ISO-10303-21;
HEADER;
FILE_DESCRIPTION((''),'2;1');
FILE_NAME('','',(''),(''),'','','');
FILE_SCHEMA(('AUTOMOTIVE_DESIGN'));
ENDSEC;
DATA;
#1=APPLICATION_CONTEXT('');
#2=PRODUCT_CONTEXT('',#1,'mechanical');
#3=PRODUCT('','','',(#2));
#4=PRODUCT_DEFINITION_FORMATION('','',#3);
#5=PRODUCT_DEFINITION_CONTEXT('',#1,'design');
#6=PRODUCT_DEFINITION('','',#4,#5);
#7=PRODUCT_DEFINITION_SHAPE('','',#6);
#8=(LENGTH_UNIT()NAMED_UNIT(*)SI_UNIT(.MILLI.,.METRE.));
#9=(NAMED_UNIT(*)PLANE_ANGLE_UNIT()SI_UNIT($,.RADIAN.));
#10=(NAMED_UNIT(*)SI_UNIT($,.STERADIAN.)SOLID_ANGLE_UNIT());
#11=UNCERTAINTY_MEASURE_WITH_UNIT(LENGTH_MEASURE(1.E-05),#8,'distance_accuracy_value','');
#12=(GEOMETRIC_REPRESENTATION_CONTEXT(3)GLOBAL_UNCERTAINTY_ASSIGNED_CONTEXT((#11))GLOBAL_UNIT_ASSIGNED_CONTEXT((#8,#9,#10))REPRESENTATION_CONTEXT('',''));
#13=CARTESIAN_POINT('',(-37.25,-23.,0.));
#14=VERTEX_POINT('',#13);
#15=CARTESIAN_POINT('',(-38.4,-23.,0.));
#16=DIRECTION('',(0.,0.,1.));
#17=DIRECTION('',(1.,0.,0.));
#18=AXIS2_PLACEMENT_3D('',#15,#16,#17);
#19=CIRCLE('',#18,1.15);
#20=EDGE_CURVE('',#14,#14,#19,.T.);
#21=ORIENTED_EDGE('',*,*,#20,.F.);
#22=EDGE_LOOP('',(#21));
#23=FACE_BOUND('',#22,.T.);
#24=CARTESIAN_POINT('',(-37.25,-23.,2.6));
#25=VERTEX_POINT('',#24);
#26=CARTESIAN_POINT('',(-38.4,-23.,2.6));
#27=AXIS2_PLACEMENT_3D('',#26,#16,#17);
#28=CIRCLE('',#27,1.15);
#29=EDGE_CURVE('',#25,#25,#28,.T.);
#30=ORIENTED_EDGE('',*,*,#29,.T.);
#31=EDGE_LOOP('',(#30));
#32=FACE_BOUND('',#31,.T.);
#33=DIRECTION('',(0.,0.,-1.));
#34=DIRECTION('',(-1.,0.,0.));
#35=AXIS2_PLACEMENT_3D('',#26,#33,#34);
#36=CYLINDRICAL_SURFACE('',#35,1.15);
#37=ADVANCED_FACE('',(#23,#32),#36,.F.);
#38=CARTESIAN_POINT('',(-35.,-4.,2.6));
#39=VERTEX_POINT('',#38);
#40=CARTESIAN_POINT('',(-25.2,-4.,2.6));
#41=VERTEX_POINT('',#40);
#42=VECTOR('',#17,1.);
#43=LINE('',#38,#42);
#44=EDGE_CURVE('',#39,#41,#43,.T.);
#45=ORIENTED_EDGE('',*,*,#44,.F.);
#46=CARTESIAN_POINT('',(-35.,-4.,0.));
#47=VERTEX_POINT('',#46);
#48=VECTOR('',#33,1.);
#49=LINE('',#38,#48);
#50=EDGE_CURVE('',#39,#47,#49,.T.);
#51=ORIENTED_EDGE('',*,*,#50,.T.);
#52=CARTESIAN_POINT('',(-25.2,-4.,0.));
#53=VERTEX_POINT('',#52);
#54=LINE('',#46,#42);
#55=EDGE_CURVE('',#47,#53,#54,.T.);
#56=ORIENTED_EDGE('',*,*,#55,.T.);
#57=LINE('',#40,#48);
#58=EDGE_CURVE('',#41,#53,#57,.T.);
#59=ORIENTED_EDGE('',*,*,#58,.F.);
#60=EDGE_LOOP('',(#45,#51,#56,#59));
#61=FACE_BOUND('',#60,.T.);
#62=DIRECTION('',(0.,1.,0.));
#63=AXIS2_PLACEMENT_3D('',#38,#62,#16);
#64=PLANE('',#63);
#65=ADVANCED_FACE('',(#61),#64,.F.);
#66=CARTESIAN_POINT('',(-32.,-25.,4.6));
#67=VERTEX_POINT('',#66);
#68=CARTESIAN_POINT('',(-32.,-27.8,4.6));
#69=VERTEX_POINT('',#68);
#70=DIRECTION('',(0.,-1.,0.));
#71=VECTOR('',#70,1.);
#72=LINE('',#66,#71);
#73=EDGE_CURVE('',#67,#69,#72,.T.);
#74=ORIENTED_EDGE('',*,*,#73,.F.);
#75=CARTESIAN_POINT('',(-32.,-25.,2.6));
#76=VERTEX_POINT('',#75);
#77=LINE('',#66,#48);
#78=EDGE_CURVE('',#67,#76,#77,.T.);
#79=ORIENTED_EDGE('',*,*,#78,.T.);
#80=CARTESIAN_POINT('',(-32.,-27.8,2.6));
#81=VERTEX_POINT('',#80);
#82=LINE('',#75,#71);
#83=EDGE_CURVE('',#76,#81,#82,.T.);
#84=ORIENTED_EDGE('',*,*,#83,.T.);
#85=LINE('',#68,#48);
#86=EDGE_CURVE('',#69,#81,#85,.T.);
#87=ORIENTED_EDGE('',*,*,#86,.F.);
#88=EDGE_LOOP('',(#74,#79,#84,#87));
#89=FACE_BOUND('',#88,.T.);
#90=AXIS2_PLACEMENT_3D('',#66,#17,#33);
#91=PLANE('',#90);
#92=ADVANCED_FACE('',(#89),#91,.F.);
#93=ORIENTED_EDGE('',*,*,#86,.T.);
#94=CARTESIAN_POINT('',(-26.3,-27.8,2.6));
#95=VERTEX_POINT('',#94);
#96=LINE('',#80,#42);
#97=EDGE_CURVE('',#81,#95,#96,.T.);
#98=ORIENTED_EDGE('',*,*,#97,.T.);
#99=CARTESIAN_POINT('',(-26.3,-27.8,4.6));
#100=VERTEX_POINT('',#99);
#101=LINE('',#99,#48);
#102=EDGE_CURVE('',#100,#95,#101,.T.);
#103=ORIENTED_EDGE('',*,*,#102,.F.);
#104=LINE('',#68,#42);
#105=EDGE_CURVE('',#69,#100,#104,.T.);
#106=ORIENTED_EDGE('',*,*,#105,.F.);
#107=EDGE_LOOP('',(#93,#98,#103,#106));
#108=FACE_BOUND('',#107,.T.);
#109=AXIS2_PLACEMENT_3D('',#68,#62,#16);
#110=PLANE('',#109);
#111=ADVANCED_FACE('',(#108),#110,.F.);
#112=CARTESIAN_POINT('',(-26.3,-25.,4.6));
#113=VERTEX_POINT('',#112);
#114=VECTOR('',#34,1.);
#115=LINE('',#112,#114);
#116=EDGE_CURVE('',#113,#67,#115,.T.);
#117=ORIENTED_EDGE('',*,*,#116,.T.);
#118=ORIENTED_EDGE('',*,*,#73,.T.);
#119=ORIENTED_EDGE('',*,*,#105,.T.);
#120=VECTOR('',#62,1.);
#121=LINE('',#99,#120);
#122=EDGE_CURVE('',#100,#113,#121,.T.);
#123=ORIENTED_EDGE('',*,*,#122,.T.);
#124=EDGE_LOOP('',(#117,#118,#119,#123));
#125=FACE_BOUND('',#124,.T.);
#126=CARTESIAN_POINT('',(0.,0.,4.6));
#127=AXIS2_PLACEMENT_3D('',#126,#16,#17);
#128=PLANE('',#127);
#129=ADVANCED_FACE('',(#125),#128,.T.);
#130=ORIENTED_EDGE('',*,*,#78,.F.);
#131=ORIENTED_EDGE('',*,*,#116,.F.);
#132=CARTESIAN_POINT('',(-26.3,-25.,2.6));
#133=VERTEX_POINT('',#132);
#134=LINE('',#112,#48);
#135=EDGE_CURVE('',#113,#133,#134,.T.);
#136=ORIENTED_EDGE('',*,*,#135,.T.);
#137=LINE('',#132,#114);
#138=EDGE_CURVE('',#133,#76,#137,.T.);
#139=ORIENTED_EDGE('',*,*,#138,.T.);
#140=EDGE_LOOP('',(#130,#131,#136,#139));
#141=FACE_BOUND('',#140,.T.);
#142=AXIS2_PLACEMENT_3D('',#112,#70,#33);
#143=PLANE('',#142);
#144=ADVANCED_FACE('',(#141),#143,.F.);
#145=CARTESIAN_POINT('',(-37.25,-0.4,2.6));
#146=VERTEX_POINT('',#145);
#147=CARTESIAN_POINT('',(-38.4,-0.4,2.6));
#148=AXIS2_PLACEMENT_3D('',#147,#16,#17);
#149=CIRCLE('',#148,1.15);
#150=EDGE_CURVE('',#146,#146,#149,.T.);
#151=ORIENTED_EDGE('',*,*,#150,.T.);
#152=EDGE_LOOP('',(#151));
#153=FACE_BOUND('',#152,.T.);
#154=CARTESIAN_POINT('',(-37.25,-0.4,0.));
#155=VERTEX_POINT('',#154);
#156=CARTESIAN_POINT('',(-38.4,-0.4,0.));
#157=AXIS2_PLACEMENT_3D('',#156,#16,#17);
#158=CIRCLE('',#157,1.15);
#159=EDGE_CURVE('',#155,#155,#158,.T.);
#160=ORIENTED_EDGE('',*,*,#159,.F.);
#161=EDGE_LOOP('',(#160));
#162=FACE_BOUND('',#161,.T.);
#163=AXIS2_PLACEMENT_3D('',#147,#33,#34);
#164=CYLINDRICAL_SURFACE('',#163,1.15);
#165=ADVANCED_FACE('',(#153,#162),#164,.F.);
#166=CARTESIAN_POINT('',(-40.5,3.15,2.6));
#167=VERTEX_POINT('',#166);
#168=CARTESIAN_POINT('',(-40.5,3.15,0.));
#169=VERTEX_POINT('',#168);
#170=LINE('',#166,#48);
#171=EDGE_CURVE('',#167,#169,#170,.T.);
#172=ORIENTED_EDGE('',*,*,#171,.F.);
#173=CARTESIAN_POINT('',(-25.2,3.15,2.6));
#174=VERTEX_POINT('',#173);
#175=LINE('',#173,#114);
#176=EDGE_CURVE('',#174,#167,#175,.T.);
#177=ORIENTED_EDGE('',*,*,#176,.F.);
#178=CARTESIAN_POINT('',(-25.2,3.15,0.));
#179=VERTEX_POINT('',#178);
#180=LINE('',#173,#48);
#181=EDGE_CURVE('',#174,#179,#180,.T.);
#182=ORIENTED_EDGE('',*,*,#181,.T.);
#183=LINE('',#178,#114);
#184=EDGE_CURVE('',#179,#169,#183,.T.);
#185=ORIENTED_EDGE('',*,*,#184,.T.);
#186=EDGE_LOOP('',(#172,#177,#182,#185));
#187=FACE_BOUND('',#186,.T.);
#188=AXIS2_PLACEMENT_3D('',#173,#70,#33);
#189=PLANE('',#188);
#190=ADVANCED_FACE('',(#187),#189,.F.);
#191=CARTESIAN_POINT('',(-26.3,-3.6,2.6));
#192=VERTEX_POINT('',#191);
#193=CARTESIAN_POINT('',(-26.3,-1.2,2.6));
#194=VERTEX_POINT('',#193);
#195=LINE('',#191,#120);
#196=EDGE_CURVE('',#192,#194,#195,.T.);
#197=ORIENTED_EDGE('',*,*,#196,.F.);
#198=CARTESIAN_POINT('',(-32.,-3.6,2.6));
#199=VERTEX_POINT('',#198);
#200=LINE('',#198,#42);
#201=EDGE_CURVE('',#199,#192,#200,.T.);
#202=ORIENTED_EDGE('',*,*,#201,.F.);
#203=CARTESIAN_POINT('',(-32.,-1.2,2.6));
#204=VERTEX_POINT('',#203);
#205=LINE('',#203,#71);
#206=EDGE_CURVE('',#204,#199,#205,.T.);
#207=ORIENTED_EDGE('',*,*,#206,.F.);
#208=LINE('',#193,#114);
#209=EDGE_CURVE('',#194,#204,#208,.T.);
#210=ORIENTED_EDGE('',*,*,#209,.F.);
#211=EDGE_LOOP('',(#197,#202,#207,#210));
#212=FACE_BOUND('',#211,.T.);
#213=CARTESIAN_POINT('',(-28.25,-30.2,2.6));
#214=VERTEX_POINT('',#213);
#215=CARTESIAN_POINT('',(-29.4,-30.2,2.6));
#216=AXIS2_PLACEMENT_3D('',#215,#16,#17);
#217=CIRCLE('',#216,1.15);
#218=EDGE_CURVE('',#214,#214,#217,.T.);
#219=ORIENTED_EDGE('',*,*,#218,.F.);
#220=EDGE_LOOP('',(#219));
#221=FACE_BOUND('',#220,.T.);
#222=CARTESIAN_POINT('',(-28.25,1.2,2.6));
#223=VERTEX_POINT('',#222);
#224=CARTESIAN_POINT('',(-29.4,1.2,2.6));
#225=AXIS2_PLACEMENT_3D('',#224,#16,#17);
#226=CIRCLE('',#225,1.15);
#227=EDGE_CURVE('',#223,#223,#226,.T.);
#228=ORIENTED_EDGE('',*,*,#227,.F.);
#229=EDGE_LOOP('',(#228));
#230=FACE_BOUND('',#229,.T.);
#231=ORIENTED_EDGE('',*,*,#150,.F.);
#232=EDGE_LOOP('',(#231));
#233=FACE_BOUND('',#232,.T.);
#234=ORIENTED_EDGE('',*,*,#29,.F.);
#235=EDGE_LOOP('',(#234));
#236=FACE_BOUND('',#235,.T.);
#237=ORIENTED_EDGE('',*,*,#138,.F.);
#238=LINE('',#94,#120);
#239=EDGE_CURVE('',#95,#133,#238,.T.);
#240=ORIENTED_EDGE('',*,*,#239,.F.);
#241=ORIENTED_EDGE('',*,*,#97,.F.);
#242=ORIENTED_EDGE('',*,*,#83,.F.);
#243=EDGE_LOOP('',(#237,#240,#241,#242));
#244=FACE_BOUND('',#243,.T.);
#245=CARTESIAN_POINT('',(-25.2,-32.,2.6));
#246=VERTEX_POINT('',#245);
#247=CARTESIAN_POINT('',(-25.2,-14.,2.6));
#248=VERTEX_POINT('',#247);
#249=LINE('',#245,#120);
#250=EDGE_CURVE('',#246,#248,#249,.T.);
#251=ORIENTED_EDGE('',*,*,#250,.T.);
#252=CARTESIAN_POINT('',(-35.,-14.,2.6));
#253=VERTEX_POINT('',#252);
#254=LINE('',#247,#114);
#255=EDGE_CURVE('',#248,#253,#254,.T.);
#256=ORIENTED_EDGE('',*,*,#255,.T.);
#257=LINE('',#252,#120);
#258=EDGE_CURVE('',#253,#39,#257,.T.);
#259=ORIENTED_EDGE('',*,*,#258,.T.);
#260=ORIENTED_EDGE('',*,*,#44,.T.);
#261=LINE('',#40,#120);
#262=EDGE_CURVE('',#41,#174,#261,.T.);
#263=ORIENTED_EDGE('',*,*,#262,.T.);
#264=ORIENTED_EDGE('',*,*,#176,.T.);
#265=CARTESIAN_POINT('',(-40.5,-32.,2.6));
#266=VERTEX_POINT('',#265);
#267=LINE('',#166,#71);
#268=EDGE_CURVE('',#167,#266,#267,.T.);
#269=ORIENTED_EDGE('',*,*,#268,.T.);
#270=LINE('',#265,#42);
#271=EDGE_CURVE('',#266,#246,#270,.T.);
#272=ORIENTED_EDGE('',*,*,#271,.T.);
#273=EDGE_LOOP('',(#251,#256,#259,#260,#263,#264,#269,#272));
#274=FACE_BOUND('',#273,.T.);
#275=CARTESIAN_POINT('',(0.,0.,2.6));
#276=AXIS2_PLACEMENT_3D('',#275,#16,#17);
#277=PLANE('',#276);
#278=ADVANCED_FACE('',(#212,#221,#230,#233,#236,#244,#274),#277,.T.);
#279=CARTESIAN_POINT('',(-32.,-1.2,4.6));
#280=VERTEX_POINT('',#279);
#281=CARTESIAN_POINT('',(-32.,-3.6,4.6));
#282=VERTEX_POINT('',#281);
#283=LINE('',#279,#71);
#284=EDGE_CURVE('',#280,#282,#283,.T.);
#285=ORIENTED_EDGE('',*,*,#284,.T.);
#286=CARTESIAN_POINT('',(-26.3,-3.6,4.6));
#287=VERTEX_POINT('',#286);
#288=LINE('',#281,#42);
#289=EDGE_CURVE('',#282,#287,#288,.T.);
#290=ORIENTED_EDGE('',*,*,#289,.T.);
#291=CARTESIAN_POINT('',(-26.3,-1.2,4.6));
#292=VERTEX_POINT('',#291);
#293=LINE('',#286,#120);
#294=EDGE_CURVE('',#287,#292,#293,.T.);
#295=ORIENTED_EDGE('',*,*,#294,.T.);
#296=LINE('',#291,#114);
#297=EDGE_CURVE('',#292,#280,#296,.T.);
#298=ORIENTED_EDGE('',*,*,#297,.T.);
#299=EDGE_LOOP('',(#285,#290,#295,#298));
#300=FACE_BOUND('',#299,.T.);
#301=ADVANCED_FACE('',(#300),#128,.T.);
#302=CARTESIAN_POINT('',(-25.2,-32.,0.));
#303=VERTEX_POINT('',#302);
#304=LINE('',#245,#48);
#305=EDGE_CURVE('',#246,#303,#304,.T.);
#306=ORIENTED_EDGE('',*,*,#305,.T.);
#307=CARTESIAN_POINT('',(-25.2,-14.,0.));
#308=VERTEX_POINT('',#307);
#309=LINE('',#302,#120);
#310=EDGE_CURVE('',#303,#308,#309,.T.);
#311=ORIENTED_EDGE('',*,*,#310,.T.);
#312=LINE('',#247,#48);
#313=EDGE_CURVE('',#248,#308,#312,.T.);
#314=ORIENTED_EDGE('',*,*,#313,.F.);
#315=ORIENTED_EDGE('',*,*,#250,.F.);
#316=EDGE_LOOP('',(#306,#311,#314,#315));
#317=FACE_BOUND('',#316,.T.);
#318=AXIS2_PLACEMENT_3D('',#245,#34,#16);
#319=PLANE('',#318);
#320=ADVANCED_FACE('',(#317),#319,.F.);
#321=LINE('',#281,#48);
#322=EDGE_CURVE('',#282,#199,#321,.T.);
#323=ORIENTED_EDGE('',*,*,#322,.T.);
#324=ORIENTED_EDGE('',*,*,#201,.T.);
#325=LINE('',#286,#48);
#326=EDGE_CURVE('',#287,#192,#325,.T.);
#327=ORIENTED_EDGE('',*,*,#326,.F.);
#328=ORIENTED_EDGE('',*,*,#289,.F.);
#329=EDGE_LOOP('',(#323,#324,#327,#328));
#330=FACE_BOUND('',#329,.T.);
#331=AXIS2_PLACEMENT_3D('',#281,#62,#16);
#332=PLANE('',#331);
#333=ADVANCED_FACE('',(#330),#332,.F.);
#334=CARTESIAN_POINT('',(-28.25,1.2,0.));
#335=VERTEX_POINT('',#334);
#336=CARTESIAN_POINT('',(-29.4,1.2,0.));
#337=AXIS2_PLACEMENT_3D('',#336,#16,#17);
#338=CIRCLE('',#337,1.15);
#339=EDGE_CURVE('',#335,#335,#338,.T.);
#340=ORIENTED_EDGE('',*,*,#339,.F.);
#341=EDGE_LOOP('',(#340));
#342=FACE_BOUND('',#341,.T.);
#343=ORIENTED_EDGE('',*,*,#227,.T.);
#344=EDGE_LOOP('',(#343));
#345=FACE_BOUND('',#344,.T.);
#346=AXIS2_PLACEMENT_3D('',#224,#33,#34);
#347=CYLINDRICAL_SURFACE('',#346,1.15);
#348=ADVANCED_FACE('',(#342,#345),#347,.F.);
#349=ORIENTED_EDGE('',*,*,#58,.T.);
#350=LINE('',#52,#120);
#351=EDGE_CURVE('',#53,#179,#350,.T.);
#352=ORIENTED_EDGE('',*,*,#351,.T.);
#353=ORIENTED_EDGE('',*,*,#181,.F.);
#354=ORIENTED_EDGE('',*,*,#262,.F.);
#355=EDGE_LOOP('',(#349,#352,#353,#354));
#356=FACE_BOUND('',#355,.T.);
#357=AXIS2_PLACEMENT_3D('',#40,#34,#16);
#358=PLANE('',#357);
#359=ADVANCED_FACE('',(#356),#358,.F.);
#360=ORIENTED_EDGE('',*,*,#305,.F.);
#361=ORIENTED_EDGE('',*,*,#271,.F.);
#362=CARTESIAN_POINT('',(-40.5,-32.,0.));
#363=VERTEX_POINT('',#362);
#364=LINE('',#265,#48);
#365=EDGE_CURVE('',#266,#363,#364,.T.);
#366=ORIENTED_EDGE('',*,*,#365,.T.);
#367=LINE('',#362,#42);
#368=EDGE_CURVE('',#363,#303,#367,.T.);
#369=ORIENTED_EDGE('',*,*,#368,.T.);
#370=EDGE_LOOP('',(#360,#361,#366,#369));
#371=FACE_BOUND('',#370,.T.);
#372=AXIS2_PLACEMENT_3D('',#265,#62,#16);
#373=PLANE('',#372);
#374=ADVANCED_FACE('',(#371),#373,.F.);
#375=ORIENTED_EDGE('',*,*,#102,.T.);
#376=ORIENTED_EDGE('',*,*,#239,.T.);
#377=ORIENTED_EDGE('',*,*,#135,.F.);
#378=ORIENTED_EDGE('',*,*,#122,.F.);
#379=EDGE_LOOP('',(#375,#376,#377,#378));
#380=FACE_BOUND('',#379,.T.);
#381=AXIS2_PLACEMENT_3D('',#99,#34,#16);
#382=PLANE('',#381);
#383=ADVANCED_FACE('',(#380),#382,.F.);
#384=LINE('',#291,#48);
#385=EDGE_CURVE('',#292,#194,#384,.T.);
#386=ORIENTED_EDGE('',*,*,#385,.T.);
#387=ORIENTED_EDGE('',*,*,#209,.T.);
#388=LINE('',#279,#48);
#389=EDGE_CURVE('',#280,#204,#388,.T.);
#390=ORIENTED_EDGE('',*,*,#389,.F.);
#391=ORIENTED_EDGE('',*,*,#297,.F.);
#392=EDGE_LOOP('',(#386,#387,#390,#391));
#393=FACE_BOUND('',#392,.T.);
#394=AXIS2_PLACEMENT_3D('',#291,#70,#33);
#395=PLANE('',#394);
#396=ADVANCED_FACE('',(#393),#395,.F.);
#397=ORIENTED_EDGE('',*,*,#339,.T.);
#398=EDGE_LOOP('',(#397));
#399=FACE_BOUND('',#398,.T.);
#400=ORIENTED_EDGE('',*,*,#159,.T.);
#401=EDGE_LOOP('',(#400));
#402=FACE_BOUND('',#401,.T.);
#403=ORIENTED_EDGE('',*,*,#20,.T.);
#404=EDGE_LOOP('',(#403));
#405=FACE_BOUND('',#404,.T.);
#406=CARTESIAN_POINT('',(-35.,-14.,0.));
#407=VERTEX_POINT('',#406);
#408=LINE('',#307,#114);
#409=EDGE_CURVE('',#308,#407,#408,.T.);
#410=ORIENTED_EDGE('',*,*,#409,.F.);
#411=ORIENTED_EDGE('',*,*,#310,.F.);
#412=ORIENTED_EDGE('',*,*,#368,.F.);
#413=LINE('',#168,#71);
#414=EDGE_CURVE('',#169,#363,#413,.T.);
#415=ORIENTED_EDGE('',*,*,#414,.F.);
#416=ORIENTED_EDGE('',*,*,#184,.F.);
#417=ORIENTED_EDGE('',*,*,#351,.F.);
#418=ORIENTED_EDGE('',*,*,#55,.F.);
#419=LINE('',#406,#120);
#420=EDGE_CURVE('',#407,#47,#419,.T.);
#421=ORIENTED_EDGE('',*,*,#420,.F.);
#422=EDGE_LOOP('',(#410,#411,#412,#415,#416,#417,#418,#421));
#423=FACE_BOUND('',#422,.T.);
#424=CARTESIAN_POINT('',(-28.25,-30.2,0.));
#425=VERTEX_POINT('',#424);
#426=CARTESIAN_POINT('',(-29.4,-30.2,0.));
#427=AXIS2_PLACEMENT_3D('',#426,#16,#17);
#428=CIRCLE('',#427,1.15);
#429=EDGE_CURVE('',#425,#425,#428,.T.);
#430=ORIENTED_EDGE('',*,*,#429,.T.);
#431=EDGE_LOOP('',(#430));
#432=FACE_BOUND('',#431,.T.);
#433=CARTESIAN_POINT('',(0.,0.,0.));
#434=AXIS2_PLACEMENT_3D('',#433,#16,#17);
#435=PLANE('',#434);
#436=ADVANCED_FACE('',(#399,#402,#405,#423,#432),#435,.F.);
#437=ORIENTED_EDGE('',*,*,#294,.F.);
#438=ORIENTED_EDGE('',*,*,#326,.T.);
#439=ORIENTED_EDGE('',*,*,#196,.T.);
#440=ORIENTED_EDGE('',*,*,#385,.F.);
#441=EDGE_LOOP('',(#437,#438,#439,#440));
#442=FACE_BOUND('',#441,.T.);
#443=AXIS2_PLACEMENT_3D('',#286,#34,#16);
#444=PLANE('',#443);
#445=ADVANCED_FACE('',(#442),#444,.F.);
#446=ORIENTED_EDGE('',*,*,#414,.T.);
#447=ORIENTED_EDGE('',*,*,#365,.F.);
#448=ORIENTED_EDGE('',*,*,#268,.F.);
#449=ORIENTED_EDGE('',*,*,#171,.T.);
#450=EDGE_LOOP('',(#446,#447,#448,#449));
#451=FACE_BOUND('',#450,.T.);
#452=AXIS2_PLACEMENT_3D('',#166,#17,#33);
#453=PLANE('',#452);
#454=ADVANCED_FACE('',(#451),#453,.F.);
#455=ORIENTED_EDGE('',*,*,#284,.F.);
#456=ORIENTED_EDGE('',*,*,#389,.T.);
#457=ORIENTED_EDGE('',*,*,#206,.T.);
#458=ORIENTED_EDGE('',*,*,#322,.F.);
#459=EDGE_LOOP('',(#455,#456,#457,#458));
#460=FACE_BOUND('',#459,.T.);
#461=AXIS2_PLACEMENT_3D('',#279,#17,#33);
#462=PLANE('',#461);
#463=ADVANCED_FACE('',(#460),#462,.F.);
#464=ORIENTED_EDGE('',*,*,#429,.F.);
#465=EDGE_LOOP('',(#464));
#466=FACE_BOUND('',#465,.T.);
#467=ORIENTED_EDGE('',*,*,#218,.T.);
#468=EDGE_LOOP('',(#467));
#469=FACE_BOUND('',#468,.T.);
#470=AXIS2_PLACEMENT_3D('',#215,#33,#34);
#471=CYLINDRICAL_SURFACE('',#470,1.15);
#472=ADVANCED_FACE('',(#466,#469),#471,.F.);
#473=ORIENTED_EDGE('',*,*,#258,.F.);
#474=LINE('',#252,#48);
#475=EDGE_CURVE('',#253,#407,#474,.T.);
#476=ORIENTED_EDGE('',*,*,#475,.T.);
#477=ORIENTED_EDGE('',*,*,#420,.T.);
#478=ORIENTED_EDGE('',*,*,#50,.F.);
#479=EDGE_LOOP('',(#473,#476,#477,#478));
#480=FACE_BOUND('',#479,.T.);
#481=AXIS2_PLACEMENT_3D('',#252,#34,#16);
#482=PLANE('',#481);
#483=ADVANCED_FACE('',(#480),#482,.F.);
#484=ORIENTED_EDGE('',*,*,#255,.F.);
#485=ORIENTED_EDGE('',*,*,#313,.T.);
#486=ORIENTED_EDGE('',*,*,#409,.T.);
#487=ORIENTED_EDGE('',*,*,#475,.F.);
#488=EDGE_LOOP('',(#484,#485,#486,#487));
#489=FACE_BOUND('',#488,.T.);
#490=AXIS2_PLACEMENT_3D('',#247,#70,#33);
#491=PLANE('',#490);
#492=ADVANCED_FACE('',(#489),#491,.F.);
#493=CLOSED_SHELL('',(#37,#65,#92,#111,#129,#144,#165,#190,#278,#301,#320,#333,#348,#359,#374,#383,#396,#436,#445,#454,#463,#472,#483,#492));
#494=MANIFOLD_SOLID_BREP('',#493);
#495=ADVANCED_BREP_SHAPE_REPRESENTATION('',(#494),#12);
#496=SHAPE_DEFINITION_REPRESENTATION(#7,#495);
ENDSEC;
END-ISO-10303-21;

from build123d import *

# Parameters (mm, degrees)
TYPE_C_PROFILE_R  = 1.15
TYPE_C_DEPTH      = 2.6
EXTRUDE_START     = 2.6
PROFILE_W         = 5.7
PROFILE_H         = 2.8
PROFILE_H_2       = 2.4
EXTRUDE_309_DEPTH = 2


with BuildPart() as part:
    # 接口端底座，Type-C区开口 profile → 接口端底座，Type-C区开口 (new body)
    with BuildSketch(Plane.XY):
        Polygon((-40.5, -32), (-25.2, -32), (-25.2, -14), (-35, -14), (-35, -4), (-25.2, -4), (-25.2, 3.15), (-40.5, 3.15), align=None)
        with Locations((-38.4, -23)):
            Circle(TYPE_C_PROFILE_R, mode=Mode.SUBTRACT)
        with Locations((-38.4, -0.4)):
            Circle(TYPE_C_PROFILE_R, mode=Mode.SUBTRACT)
        with Locations((-29.4, -30.2)):
            Circle(TYPE_C_PROFILE_R, mode=Mode.SUBTRACT)
        with Locations((-29.4, 1.2)):
            Circle(TYPE_C_PROFILE_R, mode=Mode.SUBTRACT)
    extrude(amount=TYPE_C_DEPTH)

    # profile → Extrude 309 (add)
    with BuildSketch(Plane.XY.offset(EXTRUDE_START)):
        with Locations((-29.15, -26.4)):
            Rectangle(PROFILE_W, PROFILE_H)
        with Locations((-29.15, -2.4)):
            Rectangle(PROFILE_W, PROFILE_H_2)
    extrude(amount=EXTRUDE_309_DEPTH)


solid = part.part
